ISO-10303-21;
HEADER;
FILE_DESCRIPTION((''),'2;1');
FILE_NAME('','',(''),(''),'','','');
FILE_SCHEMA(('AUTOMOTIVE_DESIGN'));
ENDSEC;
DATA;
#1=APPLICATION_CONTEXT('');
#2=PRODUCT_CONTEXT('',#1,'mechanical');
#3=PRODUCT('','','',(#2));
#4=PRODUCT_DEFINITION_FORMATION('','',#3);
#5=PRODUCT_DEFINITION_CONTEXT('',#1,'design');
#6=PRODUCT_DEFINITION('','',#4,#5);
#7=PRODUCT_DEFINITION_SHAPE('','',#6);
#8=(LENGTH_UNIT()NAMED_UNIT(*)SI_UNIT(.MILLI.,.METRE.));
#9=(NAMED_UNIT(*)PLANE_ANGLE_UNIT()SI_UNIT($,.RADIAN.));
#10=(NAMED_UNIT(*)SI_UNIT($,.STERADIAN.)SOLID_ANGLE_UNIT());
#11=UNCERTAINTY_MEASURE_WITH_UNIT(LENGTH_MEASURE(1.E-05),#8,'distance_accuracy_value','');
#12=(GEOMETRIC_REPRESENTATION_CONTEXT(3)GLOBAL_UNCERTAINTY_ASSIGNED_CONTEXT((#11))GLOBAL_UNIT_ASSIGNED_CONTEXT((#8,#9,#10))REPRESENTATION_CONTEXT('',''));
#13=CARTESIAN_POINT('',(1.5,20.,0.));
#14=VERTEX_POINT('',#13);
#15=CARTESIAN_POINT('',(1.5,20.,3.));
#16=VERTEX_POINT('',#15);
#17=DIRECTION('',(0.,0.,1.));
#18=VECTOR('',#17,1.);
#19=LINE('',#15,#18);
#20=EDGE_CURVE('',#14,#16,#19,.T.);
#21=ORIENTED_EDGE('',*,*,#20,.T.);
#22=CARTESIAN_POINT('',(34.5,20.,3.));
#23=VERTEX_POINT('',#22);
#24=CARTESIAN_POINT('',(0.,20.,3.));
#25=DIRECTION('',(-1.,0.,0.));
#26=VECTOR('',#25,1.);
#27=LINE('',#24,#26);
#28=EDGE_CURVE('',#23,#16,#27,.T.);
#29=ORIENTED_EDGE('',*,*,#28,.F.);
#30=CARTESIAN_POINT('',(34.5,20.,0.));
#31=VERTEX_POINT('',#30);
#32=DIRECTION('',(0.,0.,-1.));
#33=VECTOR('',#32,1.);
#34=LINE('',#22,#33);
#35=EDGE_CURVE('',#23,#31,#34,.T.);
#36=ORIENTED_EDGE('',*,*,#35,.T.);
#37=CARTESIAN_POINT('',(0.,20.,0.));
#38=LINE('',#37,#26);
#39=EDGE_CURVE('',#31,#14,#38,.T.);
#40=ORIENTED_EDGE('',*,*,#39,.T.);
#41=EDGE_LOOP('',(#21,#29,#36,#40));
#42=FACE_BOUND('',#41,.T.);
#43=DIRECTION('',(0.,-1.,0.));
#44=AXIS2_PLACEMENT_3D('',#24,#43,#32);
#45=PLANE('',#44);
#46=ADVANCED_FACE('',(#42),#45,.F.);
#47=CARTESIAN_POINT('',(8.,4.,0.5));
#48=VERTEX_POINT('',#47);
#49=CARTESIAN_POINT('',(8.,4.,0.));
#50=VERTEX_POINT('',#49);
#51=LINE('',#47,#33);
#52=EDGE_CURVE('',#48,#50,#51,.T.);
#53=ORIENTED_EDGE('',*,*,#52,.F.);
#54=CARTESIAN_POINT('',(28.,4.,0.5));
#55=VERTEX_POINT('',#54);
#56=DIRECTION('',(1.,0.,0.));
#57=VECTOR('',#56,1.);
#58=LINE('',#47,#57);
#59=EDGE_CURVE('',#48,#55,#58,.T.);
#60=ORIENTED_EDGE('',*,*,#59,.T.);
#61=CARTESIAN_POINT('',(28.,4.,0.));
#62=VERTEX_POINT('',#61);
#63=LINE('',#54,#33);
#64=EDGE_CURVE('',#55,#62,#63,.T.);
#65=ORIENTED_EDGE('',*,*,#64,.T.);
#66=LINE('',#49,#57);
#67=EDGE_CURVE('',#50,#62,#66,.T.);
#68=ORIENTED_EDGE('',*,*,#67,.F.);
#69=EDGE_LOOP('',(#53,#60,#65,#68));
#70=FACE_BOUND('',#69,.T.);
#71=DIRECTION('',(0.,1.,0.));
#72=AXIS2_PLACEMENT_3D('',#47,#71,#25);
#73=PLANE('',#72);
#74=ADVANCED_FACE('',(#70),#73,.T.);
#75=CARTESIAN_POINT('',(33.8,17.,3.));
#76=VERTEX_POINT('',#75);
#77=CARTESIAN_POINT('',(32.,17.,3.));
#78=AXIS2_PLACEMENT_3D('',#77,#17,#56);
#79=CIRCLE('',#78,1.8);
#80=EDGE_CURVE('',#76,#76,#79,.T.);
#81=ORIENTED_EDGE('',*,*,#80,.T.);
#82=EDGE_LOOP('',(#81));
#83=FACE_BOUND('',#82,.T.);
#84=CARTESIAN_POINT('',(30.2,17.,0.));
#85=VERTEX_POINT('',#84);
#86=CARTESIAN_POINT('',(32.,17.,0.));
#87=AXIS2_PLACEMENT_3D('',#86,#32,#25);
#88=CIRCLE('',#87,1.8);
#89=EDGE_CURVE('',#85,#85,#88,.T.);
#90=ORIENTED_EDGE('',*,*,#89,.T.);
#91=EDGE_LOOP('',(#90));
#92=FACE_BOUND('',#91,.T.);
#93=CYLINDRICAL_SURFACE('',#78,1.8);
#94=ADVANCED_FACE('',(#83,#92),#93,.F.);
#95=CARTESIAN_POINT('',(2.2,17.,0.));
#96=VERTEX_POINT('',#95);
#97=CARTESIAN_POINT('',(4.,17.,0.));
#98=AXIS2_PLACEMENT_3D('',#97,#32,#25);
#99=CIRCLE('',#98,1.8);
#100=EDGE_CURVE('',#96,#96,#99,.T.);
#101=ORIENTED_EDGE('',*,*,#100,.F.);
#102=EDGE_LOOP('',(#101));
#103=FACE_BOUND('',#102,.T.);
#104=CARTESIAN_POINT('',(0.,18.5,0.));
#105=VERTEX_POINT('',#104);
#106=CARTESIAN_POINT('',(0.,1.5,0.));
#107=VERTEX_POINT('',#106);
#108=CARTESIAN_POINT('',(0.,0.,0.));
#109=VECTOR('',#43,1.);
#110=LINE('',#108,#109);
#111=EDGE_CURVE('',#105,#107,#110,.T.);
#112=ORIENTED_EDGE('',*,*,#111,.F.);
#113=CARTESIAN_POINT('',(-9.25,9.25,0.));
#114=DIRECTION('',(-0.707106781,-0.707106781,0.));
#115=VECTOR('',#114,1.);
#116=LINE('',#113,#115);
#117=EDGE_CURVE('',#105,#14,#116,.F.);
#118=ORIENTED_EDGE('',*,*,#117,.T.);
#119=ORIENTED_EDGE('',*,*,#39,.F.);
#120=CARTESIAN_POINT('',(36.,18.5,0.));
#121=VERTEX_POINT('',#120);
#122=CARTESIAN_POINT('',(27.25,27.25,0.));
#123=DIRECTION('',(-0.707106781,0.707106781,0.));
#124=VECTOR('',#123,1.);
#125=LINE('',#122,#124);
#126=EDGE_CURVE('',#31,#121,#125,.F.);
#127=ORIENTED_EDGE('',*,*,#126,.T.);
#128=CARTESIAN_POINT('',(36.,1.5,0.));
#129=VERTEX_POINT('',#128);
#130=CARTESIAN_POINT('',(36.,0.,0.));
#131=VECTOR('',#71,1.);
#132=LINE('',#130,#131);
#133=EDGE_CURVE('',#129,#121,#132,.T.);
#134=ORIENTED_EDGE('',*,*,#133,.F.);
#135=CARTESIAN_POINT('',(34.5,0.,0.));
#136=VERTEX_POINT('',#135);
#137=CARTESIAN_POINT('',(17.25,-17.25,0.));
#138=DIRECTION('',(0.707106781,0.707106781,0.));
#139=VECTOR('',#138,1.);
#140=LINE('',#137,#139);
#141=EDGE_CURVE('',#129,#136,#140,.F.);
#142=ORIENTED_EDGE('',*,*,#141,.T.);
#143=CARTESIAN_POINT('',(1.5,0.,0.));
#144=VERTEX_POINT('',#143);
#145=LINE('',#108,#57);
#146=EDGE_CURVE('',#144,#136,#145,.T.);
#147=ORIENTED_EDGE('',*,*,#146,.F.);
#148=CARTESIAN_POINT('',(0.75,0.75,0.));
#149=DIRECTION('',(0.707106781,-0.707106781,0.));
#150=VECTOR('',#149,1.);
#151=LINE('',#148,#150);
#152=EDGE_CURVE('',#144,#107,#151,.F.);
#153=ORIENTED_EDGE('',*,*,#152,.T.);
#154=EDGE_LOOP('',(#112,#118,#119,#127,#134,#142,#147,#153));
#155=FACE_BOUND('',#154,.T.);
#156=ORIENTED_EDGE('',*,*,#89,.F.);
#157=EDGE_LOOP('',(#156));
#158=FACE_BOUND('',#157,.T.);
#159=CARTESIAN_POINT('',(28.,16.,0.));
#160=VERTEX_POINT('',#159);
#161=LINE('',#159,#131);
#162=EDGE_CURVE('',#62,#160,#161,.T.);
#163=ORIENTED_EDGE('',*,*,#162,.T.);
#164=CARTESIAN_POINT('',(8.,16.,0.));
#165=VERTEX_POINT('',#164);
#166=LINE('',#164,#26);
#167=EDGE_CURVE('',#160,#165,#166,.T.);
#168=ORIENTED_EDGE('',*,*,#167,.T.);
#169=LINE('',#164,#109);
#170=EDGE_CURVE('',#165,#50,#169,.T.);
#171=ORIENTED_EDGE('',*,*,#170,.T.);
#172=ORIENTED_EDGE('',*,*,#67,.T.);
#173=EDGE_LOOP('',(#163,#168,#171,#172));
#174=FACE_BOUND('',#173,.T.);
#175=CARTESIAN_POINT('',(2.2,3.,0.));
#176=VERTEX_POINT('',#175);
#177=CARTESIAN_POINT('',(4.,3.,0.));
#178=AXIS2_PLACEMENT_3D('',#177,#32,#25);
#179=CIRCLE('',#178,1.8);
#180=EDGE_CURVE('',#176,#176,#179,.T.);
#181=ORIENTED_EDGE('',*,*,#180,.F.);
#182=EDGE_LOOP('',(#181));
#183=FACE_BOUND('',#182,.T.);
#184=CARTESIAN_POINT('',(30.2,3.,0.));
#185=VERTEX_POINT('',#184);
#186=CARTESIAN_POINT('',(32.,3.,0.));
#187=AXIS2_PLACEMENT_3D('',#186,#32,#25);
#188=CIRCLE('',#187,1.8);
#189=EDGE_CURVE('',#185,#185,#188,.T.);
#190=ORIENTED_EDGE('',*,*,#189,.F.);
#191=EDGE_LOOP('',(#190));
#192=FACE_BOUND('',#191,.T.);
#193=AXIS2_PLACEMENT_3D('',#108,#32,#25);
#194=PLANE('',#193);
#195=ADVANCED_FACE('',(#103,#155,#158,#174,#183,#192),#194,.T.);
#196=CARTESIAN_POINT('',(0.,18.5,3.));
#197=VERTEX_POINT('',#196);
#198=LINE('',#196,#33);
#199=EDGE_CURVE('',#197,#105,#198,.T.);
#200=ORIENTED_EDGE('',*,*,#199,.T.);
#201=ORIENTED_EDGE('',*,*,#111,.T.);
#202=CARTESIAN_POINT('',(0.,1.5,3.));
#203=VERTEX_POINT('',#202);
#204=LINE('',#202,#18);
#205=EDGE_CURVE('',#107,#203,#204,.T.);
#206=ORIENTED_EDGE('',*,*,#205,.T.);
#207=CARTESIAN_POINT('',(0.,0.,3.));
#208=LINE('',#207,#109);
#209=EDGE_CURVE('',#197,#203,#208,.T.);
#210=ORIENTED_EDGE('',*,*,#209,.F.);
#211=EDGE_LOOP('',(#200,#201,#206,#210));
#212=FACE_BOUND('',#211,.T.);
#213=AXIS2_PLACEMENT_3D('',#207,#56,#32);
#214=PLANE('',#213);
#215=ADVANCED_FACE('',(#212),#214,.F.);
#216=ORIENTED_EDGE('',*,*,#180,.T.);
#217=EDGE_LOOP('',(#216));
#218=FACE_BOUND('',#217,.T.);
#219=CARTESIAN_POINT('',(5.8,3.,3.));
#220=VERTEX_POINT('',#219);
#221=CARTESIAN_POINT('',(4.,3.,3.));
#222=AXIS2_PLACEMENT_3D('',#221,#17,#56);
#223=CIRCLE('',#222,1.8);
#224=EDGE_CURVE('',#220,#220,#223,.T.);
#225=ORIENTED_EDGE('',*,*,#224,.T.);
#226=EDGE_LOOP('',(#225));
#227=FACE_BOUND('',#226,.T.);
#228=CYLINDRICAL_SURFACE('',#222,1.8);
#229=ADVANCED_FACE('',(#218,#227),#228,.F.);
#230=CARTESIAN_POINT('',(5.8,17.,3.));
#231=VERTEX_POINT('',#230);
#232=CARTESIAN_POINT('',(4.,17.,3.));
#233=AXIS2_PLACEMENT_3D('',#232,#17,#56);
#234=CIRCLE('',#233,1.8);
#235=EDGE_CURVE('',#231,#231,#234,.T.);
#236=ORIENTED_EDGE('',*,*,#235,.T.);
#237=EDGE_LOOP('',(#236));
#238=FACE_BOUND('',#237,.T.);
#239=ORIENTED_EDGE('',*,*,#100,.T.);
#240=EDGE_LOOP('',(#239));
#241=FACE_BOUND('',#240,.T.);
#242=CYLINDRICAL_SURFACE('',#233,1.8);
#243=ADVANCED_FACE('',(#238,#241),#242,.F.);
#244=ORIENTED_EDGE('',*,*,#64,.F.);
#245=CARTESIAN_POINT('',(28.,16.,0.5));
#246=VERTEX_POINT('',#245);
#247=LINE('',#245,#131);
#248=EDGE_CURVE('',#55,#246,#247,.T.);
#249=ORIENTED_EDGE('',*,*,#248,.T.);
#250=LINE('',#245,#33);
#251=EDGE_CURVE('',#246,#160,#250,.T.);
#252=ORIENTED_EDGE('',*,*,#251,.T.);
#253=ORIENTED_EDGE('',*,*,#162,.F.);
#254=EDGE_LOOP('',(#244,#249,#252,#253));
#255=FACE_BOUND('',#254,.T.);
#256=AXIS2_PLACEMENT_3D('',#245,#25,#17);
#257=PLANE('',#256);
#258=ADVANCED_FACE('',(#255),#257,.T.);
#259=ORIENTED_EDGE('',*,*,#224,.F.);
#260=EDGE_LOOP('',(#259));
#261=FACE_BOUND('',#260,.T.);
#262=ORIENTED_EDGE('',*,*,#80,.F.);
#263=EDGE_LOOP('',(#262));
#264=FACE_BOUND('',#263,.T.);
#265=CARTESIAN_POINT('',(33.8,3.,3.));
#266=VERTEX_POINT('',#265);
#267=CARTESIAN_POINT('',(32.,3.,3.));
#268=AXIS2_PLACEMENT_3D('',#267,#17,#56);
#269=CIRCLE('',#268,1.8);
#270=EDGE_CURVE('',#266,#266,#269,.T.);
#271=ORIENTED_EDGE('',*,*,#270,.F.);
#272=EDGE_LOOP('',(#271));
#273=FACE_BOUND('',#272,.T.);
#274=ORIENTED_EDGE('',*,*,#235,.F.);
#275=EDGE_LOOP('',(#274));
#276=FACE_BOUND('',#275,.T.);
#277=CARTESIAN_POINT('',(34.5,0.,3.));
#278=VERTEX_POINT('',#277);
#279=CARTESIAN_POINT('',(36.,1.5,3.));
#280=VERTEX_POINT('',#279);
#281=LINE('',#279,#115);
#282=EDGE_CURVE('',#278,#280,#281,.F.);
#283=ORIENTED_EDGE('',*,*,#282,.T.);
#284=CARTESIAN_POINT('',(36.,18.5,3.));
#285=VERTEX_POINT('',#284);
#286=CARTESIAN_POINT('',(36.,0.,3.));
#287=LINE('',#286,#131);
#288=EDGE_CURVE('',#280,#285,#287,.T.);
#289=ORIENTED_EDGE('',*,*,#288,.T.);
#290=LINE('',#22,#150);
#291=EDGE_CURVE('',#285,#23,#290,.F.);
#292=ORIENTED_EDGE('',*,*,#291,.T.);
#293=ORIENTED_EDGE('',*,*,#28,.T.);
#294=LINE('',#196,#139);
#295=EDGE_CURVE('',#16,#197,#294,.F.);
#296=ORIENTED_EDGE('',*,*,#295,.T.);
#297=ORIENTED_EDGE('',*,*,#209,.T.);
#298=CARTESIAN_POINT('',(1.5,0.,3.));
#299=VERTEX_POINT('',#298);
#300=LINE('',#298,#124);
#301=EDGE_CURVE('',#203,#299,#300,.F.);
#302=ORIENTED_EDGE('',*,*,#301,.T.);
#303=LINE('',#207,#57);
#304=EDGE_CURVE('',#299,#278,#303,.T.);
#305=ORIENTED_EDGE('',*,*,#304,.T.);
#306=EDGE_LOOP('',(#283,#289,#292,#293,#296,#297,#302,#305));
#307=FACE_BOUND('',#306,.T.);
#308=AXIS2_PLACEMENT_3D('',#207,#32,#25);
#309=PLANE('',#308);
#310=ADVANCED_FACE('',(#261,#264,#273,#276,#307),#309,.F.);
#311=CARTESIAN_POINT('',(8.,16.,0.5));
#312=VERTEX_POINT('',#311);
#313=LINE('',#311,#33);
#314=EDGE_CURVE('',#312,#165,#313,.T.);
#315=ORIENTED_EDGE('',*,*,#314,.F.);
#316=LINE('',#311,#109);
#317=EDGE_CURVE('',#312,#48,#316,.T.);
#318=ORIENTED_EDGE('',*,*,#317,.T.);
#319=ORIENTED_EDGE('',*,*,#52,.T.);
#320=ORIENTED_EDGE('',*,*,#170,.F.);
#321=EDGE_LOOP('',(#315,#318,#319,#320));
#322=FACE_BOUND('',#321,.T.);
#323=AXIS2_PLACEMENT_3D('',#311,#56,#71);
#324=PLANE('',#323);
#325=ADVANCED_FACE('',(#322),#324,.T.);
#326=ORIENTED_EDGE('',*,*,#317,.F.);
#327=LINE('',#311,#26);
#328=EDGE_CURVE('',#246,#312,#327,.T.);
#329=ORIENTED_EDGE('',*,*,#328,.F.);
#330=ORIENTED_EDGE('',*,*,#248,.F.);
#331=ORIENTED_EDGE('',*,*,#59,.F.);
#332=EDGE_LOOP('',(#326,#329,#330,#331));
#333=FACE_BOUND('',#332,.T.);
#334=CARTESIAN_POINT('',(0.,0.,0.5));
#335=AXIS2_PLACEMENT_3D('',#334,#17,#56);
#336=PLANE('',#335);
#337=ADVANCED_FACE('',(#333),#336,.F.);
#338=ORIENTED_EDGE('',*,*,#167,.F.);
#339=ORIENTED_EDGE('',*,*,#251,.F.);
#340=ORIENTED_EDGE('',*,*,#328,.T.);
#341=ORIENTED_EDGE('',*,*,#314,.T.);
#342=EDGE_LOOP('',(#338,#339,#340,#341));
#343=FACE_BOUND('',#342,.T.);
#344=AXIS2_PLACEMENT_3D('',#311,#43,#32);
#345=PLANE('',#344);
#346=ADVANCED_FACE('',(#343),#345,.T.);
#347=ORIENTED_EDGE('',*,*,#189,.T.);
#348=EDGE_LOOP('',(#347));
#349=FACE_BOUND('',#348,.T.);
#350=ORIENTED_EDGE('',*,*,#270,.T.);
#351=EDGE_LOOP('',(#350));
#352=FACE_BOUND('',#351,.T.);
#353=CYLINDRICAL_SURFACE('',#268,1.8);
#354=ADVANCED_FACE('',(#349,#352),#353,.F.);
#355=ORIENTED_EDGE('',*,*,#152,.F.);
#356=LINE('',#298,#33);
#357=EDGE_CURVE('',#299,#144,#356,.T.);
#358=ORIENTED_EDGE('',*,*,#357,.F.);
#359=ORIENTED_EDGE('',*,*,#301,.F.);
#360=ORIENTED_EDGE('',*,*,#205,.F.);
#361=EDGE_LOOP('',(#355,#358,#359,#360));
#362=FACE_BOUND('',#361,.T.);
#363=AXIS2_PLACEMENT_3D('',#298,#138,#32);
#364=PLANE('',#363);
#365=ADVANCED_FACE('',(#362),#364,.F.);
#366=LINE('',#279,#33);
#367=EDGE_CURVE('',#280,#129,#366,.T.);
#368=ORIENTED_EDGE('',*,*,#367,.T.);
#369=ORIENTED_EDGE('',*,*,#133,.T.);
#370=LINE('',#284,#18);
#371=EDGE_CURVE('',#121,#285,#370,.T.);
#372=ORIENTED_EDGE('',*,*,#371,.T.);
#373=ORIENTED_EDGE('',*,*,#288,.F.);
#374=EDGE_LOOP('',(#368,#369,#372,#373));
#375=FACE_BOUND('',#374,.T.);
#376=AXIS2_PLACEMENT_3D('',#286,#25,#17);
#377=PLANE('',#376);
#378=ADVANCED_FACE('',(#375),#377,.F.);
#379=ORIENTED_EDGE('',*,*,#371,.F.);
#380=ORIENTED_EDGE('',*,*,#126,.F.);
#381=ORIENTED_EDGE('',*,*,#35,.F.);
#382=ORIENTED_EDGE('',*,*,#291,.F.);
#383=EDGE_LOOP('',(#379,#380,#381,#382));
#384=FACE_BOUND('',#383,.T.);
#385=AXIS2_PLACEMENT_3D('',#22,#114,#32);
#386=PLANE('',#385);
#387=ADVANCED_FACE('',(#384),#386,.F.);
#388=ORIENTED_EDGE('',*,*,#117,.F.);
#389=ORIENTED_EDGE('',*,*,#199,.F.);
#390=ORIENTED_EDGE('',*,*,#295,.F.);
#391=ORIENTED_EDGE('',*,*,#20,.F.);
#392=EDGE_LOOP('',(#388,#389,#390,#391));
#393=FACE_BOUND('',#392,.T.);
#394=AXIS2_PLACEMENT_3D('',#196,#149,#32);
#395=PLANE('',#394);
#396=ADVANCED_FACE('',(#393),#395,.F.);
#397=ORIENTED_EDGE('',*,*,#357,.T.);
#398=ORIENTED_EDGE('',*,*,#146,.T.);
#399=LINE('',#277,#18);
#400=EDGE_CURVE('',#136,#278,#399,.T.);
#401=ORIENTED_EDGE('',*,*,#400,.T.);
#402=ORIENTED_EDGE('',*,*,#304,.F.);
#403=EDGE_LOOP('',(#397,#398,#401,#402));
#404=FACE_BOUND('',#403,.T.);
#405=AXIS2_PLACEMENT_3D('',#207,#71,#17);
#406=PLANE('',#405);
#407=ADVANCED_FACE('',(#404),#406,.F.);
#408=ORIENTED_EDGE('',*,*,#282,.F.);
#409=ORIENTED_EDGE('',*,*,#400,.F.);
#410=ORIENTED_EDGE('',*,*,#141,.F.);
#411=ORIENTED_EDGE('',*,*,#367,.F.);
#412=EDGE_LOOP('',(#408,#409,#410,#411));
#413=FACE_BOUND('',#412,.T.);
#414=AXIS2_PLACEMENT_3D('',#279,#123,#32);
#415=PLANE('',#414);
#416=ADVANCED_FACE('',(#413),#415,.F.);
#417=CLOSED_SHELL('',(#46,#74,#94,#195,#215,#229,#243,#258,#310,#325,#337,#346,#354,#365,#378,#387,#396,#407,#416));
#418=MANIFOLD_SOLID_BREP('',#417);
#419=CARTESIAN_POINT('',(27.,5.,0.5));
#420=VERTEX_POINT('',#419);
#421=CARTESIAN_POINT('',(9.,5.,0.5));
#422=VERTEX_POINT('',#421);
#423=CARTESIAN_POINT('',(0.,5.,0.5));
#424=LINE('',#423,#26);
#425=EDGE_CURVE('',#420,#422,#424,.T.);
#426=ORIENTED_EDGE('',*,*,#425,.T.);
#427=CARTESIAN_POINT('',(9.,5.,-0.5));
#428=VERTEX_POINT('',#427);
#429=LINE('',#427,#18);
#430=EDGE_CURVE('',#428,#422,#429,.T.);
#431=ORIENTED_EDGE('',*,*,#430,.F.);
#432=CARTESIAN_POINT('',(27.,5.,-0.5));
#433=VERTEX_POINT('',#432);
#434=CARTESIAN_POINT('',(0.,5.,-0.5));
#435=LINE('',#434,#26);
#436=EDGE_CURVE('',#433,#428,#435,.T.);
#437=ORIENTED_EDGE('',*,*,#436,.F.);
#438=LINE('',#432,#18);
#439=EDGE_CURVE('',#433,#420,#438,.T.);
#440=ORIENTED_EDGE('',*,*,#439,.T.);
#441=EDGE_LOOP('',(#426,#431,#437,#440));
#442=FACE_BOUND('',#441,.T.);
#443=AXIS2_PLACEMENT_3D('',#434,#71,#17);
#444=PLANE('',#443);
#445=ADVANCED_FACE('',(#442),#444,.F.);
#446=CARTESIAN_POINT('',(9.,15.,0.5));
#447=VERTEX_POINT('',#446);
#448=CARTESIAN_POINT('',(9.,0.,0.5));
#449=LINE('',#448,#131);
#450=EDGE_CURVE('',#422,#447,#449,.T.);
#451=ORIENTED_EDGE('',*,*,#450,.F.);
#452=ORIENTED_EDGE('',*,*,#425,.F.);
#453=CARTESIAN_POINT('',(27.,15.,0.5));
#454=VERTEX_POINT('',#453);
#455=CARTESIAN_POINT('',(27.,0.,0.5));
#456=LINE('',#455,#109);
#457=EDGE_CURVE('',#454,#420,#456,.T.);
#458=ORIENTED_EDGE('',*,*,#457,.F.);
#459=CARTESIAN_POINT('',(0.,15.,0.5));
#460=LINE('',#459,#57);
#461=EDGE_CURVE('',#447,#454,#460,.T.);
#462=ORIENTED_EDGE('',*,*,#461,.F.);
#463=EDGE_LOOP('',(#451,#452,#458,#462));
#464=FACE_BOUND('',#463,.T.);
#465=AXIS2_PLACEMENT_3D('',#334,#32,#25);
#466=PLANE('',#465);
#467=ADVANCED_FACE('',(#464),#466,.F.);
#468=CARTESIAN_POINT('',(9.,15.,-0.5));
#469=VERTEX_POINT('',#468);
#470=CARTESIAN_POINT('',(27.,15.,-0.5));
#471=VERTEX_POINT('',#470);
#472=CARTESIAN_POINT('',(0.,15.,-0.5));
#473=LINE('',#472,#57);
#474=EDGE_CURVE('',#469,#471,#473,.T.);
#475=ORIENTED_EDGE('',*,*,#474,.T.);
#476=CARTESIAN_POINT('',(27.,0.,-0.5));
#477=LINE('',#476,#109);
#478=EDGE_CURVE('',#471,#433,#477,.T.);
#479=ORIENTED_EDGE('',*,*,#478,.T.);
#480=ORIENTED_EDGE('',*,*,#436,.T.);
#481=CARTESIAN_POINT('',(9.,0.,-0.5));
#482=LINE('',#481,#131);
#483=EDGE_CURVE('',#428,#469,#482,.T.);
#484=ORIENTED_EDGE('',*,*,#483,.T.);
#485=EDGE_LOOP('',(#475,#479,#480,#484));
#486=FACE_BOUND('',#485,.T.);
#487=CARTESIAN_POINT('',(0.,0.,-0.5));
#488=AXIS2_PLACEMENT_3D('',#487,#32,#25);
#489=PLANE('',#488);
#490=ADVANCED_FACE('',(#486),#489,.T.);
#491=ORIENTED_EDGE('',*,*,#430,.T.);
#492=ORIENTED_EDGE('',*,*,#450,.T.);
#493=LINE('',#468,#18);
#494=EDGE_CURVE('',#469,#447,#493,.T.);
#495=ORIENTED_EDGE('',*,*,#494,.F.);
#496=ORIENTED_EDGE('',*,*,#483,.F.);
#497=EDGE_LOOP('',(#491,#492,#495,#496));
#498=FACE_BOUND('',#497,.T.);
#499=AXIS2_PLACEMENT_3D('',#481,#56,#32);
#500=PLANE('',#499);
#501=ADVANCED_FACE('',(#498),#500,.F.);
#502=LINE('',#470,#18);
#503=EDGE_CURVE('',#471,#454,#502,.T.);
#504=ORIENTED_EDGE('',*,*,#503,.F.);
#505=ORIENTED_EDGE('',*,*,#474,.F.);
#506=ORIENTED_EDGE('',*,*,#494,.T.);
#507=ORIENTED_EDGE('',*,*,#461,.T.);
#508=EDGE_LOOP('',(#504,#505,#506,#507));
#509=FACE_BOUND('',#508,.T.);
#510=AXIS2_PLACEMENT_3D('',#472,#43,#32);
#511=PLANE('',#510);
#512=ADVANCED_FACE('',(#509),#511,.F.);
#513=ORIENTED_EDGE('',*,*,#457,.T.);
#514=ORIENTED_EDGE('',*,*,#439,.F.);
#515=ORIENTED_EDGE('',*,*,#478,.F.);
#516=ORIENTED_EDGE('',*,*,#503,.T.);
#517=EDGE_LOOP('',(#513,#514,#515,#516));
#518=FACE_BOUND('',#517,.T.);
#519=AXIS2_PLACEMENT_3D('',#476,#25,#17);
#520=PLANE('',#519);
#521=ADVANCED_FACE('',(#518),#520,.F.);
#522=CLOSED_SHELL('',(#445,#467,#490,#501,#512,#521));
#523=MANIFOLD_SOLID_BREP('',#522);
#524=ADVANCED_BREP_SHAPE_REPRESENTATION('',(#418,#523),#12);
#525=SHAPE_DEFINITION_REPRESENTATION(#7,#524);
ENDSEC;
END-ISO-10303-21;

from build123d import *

# Parameters (mm, degrees)
SKETCH1_W                = 36
SKETCH1_H                = 20
BOSS_EXTRUDE1_DEPTH      = 3
M3_CLEARANCE_HOLE1_D     = 3.6
M3_CLEARANCE_HOLE1_DEPTH = 10
M3_CLEARANCE_HOLE1_TIP   = 1.081549114
CHAMFER1_SIZE            = 1.5
SKETCH4_W                = 20
SKETCH4_H                = 12
CUT_EXTRUDE1_DEPTH       = 0.5
SKETCH5_W                = 18
SKETCH5_H                = 10
BOSS_EXTRUDE2_DEPTH      = 1


with BuildPart() as part:
    # Sketch1 → Boss-Extrude1 (new body)
    with BuildSketch(Plane.XY):
        with Locations((18, 10)):
            Rectangle(SKETCH1_W, SKETCH1_H)
    extrude(amount=BOSS_EXTRUDE1_DEPTH)

    # M3 Clearance Hole1
    with Locations(Plane.XY.offset(3)):
        with Locations((4, 17), (32, 17), (32, 3), (4, 3)):
            Hole(M3_CLEARANCE_HOLE1_D / 2, depth=M3_CLEARANCE_HOLE1_DEPTH)
            with Locations((0, 0, -(M3_CLEARANCE_HOLE1_DEPTH + M3_CLEARANCE_HOLE1_TIP / 2))):  # 118° drill point
                Cone(0, M3_CLEARANCE_HOLE1_D / 2, M3_CLEARANCE_HOLE1_TIP, mode=Mode.SUBTRACT)

    # Chamfer1
    chamfer1_edges = [part.edges().sort_by_distance(p)[0] for p in [
        (0, 20, 1.5),
        (36, 20, 1.5),
        (36, 0, 1.5),
        (0, 0, 1.5),
    ]]
    chamfer(chamfer1_edges, length=CHAMFER1_SIZE)

    # Sketch4 → Cut-Extrude1 (cut)
    with BuildSketch(Plane.XY):
        with Locations((18, 10)):
            Rectangle(SKETCH4_W, SKETCH4_H)
    extrude(amount=CUT_EXTRUDE1_DEPTH, mode=Mode.SUBTRACT)


with BuildPart() as body_2:
    # Sketch5 → Boss-Extrude2 (new body)
    with BuildSketch(Plane(origin=(0, 0, 0.5), x_dir=(-1, 0, 0), z_dir=(0, 0, -1))):
        with Locations((-18, 10)):
            Rectangle(SKETCH5_W, SKETCH5_H)
    extrude(amount=BOSS_EXTRUDE2_DEPTH)


solid = Compound([part.part, body_2.part])
